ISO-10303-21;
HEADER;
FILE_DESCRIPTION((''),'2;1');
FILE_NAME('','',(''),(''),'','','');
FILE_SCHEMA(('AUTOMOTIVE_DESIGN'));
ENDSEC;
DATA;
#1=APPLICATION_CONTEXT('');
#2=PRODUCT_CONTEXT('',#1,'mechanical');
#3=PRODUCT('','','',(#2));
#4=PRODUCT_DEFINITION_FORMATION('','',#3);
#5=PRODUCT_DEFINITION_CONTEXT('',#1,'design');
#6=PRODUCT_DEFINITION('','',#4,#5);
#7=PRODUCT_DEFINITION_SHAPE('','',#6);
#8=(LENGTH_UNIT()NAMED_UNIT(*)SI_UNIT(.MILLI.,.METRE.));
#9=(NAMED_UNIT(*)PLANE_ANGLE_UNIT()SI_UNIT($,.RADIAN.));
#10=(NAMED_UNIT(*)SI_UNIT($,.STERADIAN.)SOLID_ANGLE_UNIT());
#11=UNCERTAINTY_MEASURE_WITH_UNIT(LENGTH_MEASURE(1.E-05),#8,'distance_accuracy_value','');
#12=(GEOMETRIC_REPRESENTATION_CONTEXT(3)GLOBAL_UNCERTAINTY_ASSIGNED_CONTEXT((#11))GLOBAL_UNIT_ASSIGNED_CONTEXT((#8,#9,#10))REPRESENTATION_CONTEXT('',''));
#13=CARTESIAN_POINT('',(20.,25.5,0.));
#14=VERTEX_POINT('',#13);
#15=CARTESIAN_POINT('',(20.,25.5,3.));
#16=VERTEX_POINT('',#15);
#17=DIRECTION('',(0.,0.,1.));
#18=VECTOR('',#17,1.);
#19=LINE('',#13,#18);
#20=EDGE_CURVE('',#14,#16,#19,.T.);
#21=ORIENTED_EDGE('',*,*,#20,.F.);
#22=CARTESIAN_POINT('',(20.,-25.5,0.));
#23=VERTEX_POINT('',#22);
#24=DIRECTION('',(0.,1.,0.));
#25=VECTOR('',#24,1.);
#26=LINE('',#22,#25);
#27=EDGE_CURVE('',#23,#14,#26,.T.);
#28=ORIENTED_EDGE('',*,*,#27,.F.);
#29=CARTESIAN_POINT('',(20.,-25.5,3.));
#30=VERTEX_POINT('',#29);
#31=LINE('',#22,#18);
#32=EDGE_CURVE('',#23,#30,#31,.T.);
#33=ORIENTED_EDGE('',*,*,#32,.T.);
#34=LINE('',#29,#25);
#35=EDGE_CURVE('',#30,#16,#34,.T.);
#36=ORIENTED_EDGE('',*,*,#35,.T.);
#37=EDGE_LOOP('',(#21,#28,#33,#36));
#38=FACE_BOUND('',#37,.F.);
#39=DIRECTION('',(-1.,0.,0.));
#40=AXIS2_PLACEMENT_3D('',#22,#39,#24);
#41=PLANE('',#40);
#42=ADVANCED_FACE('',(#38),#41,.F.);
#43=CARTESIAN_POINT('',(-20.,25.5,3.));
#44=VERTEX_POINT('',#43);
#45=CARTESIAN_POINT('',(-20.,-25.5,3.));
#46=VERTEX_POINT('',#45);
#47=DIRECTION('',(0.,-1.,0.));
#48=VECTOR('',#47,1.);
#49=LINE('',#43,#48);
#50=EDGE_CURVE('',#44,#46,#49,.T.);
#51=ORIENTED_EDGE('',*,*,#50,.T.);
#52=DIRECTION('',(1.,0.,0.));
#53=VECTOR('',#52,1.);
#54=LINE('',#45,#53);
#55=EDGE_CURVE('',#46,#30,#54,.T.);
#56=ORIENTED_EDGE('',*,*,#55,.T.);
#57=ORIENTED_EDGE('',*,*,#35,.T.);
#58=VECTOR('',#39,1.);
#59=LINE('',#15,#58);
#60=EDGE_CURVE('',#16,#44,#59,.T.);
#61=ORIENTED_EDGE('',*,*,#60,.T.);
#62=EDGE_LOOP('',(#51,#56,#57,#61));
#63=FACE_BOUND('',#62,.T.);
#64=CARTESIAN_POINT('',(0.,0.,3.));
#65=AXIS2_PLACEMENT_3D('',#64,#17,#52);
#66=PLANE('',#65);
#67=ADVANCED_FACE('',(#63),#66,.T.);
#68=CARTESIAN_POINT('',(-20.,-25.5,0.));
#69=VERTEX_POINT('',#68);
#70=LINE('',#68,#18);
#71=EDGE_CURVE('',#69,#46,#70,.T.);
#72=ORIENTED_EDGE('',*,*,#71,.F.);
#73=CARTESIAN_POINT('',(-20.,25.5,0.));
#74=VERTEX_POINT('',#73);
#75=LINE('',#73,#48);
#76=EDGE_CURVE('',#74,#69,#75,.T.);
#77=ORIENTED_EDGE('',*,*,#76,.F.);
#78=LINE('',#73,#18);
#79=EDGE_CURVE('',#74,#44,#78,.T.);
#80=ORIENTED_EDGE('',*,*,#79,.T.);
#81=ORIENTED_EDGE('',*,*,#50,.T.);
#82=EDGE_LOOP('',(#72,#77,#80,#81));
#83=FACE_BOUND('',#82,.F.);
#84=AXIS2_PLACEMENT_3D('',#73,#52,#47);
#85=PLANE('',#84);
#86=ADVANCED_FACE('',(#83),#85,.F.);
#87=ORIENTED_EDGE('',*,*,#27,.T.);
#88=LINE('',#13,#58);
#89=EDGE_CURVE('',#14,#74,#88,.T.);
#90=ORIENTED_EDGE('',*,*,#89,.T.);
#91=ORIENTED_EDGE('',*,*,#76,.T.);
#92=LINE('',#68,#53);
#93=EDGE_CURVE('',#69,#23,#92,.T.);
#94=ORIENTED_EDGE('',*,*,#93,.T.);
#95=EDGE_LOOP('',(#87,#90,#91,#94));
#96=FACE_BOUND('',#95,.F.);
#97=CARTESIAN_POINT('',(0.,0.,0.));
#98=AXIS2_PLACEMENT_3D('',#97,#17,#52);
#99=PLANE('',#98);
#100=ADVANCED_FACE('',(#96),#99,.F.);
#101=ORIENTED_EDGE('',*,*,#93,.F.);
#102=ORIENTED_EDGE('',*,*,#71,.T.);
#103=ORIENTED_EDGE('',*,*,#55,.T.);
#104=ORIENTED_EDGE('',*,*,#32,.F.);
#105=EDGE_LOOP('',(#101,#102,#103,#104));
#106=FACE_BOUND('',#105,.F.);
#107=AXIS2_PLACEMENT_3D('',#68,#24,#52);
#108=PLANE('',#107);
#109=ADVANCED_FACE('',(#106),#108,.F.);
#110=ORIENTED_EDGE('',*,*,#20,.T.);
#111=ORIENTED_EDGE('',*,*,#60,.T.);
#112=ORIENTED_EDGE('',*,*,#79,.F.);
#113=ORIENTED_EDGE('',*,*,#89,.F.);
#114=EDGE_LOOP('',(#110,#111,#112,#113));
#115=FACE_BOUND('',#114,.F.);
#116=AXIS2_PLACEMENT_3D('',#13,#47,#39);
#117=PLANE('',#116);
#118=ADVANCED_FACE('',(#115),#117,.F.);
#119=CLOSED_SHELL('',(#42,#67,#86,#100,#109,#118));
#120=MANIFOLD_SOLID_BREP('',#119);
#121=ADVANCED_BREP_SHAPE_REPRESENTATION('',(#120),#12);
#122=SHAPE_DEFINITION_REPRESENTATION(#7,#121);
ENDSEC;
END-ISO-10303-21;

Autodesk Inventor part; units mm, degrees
ref_plane "YZ Plane" through (0, 0, 0) normal (1, 0, 0) x (0, 1, 0)
ref_plane "XZ Plane" through (0, 0, 0) normal (0, 1, 0) x (-1, 0, 0)
ref_plane "XY Plane" through (0, 0, 0) normal (0, 0, 1) x (1, 0, 0)
sketch "Sketch1" plane through (0, 0, 0) normal (0, 0, 1) x (1, 0, 0)
  line L0 (-20, -25.5) -> (20, -25.5)
  line L1 (20, -25.5) -> (20, 25.5)
  line L2 (20, 25.5) -> (-20, 25.5)
  line L3 (-20, 25.5) -> (-20, -25.5)
  line L4 (-20, -25.5) -> (20, 25.5) construction
  line L5 (20, -25.5) -> (-20, 25.5) construction
  point P0 (0, 0)
  dimension "d0" = 40
  dimension "d1" = 51
extrude "Extrusion1" add sketch "Sketch1" along normal blind 3
properties part number "holder2"
